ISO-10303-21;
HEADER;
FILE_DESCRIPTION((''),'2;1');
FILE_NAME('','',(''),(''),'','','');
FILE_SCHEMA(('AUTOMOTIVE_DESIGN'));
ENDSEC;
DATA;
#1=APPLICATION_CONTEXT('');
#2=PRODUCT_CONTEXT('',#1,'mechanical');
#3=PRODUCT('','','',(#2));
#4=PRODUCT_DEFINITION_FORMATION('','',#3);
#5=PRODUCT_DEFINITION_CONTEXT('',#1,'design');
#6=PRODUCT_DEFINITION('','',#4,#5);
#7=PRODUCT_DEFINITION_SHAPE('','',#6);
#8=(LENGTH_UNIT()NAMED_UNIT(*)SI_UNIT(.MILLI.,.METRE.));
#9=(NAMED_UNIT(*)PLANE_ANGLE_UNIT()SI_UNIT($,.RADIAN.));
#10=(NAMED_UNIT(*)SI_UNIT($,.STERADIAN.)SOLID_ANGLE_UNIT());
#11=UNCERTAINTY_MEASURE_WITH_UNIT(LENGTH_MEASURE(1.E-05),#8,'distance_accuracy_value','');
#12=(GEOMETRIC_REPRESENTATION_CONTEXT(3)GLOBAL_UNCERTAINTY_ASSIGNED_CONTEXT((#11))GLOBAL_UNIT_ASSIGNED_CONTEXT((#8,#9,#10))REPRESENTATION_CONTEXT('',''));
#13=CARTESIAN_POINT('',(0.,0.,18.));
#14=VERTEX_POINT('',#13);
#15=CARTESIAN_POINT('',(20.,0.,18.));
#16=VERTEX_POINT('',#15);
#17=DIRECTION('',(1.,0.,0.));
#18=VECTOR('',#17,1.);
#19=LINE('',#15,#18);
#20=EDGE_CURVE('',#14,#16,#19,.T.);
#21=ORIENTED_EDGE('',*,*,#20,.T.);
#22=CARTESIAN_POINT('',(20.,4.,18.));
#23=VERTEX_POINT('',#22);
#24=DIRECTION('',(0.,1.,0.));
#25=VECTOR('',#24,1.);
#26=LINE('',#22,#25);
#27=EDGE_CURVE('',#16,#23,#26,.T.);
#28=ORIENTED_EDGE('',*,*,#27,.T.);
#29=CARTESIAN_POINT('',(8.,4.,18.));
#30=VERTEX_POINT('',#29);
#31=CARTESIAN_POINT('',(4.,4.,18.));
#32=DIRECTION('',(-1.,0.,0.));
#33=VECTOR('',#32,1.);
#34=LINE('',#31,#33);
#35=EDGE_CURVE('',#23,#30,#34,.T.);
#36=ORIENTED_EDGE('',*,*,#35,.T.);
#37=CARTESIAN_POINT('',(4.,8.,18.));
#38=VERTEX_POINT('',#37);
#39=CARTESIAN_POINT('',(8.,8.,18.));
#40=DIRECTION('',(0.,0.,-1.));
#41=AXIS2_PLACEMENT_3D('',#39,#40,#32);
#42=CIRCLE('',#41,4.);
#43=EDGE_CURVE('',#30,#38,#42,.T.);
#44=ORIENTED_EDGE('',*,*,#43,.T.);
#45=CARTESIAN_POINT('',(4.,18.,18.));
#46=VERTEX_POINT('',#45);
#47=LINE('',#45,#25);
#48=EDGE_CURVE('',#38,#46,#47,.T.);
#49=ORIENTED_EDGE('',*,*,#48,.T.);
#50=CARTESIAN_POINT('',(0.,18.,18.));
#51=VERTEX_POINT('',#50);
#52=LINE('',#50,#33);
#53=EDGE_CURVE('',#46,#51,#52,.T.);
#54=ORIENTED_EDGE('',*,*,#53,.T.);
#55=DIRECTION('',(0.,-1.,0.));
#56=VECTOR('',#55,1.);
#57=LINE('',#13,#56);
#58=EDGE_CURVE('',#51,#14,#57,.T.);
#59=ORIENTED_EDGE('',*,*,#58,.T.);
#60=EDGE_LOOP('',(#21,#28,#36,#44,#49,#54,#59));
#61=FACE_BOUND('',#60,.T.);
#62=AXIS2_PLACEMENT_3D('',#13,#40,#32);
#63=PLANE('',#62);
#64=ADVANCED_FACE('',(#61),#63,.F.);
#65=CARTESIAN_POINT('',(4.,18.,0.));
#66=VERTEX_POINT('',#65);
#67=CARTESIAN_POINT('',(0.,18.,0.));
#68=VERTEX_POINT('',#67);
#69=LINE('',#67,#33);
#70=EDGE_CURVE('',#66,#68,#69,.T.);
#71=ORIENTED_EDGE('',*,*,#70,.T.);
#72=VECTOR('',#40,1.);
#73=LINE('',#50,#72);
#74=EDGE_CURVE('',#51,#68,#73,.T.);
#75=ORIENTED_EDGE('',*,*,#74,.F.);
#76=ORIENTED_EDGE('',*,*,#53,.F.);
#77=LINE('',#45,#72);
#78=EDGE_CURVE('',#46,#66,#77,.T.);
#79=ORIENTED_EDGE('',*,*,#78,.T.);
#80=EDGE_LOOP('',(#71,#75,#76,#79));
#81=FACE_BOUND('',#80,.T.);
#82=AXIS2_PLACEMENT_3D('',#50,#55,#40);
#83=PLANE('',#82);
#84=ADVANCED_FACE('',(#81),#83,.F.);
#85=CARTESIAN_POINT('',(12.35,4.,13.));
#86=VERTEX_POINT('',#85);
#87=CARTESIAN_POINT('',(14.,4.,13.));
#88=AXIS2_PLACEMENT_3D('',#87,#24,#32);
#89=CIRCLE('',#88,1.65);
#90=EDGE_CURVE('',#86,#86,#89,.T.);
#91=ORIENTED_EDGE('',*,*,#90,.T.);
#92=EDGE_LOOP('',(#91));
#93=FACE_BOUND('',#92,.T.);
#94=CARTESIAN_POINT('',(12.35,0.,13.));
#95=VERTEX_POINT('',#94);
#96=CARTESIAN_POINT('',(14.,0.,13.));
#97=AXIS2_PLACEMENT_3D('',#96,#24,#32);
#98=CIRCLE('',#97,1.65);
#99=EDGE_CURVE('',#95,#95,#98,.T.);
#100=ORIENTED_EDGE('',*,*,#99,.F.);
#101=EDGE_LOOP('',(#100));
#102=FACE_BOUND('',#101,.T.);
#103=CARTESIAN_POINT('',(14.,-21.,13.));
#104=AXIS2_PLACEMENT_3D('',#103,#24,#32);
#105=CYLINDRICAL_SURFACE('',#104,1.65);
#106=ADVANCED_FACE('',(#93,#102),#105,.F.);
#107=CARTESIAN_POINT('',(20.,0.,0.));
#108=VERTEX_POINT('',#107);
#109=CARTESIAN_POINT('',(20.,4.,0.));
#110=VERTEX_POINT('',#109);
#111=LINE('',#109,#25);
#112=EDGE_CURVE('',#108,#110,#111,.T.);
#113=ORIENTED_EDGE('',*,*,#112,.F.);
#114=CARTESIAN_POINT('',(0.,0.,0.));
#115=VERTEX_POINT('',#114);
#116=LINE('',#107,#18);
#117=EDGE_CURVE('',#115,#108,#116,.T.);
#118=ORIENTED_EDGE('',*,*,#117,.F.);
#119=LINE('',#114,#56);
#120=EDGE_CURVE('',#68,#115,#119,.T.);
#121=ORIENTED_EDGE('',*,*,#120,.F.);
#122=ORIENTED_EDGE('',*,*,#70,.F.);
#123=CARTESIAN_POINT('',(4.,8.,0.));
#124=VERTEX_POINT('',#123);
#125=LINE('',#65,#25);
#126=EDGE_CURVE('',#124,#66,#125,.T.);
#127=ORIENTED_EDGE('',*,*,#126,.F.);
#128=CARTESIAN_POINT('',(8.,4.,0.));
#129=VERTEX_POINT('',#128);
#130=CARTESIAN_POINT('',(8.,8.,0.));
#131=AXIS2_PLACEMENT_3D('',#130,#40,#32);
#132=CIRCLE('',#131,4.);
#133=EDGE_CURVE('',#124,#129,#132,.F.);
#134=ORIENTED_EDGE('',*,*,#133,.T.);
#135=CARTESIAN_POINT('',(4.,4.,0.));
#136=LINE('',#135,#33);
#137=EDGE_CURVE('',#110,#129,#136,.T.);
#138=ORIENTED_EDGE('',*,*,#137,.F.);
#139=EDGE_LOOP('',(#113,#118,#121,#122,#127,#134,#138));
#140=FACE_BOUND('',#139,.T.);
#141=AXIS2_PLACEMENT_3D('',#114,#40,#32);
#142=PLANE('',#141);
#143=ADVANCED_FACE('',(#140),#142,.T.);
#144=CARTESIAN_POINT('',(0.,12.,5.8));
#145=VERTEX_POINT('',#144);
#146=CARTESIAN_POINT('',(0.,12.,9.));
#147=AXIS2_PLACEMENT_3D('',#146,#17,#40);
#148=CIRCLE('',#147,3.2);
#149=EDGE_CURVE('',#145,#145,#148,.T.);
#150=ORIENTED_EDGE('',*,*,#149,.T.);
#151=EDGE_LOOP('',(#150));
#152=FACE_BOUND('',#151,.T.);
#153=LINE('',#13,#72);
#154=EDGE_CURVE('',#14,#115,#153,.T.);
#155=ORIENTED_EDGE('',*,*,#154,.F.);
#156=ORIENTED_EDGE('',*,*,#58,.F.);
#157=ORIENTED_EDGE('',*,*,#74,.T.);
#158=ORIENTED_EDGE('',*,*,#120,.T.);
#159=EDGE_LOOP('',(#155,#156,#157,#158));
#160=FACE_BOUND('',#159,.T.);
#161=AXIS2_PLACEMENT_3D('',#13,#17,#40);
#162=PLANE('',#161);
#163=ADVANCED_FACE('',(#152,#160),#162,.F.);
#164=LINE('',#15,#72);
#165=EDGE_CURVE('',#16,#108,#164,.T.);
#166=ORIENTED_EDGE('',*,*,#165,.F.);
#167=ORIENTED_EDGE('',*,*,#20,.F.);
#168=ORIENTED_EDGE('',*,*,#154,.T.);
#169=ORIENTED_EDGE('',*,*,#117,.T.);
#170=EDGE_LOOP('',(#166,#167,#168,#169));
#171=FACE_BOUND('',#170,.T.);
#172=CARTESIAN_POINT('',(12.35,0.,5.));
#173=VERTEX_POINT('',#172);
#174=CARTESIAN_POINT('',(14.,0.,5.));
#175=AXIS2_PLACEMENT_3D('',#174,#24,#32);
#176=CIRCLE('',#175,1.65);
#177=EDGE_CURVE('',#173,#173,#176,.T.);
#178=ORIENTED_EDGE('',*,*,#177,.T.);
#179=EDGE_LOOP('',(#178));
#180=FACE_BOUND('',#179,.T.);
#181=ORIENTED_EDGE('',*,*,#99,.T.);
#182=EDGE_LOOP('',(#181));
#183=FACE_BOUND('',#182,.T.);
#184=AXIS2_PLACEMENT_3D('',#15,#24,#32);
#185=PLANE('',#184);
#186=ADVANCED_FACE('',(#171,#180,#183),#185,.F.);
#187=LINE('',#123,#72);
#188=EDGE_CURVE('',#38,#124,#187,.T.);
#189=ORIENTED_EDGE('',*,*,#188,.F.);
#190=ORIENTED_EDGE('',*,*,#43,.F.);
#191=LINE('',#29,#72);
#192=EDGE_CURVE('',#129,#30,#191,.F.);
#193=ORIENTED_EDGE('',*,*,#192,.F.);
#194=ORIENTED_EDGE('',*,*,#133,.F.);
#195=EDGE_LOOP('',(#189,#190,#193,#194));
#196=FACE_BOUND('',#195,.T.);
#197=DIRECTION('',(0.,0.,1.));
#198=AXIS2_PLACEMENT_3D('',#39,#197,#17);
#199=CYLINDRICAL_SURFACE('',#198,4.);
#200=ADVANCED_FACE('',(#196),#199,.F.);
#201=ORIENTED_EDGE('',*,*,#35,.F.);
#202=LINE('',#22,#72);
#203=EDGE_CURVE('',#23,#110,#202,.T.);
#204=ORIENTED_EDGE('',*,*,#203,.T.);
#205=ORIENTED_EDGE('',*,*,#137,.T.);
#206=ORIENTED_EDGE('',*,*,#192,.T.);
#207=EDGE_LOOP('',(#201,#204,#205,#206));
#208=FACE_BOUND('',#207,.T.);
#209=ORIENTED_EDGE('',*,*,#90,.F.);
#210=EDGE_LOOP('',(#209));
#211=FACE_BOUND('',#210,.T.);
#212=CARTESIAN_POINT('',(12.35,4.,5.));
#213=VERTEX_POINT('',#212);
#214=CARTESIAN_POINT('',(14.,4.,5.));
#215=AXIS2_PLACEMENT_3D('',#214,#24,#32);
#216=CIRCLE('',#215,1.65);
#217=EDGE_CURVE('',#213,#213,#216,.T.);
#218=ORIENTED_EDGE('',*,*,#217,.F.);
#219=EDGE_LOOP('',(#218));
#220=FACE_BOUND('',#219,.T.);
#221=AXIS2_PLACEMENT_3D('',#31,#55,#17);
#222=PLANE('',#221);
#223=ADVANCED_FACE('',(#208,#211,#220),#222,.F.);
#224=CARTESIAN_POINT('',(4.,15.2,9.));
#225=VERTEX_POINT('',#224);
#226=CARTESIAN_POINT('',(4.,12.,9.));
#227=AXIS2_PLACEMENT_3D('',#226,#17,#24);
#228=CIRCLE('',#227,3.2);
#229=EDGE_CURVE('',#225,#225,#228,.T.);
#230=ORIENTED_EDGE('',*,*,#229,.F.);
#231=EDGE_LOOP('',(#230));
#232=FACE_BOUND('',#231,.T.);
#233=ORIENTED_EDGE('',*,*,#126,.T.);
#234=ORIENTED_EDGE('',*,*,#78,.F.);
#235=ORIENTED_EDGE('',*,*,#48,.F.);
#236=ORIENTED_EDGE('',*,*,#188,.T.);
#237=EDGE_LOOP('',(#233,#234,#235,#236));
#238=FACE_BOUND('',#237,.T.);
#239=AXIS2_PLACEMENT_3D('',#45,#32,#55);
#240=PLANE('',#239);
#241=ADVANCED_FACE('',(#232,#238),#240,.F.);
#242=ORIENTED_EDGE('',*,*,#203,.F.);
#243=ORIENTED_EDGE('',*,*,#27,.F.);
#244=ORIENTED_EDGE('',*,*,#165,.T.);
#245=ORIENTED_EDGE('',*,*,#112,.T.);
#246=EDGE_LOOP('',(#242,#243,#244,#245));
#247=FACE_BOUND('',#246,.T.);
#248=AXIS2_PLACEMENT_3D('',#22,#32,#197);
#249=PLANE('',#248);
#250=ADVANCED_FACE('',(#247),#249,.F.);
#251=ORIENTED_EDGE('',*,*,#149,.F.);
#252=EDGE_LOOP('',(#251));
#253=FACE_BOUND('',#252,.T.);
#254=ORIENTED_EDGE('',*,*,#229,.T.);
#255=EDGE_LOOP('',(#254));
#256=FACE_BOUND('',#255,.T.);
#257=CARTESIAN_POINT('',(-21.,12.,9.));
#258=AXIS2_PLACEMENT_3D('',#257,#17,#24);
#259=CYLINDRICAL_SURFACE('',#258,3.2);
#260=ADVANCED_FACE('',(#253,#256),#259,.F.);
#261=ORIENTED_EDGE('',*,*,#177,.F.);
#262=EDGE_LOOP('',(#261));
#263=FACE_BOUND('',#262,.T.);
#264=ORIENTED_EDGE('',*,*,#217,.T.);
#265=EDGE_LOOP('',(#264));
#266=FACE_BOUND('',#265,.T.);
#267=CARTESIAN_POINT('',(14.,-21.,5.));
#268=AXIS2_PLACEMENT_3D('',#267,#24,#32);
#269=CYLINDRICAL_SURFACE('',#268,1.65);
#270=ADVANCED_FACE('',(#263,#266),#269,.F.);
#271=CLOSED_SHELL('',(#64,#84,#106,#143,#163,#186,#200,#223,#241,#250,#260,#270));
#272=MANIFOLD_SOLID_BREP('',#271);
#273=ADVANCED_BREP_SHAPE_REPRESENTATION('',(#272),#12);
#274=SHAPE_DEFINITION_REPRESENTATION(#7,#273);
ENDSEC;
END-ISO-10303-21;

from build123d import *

# Parameters (mm, degrees)
BOSS_EXTRUDE1_DEPTH = 18
SKETCH2_R           = 3.2
CUT_EXTRUDE1_DEPTH  = 25
FILLET1_R           = 4
SKETCH3_R           = 1.65
CUT_EXTRUDE2_DEPTH  = 25


with BuildPart() as part:
    # Sketch1 → Boss-Extrude1 (new body)
    with BuildSketch(Plane.XY):
        Polygon((0, 0), (0, 18), (4, 18), (4, 4), (20, 4), (20, 0), align=None)
    extrude(amount=BOSS_EXTRUDE1_DEPTH)

    # Sketch2 → Cut-Extrude1 (cut)
    with BuildSketch(Plane(origin=(4, 0, 0), x_dir=(0, 0, -1), z_dir=(1, 0, 0))):
        with Locations(Location((-9, 12, 0), (0, 0, 90))):
            Circle(SKETCH2_R)
    extrude(amount=-CUT_EXTRUDE1_DEPTH, mode=Mode.SUBTRACT)

    # Fillet1
    fillet1_edges = [part.edges().sort_by_distance(p)[0] for p in [
        (4, 4, 9),
    ]]
    fillet(fillet1_edges, radius=FILLET1_R)

    # Sketch3 → Cut-Extrude2 (cut)
    with BuildSketch(Plane(origin=(0, 4, 0), x_dir=(1, 0, 0), z_dir=(0, 1, 0))):
        with Locations(Location((14, -5, 0), (0, 0, 180))):
            Circle(SKETCH3_R)
        with Locations(Location((14, -13, 0), (0, 0, 180))):
            Circle(SKETCH3_R)
    extrude(amount=-CUT_EXTRUDE2_DEPTH, mode=Mode.SUBTRACT)


solid = part.part
